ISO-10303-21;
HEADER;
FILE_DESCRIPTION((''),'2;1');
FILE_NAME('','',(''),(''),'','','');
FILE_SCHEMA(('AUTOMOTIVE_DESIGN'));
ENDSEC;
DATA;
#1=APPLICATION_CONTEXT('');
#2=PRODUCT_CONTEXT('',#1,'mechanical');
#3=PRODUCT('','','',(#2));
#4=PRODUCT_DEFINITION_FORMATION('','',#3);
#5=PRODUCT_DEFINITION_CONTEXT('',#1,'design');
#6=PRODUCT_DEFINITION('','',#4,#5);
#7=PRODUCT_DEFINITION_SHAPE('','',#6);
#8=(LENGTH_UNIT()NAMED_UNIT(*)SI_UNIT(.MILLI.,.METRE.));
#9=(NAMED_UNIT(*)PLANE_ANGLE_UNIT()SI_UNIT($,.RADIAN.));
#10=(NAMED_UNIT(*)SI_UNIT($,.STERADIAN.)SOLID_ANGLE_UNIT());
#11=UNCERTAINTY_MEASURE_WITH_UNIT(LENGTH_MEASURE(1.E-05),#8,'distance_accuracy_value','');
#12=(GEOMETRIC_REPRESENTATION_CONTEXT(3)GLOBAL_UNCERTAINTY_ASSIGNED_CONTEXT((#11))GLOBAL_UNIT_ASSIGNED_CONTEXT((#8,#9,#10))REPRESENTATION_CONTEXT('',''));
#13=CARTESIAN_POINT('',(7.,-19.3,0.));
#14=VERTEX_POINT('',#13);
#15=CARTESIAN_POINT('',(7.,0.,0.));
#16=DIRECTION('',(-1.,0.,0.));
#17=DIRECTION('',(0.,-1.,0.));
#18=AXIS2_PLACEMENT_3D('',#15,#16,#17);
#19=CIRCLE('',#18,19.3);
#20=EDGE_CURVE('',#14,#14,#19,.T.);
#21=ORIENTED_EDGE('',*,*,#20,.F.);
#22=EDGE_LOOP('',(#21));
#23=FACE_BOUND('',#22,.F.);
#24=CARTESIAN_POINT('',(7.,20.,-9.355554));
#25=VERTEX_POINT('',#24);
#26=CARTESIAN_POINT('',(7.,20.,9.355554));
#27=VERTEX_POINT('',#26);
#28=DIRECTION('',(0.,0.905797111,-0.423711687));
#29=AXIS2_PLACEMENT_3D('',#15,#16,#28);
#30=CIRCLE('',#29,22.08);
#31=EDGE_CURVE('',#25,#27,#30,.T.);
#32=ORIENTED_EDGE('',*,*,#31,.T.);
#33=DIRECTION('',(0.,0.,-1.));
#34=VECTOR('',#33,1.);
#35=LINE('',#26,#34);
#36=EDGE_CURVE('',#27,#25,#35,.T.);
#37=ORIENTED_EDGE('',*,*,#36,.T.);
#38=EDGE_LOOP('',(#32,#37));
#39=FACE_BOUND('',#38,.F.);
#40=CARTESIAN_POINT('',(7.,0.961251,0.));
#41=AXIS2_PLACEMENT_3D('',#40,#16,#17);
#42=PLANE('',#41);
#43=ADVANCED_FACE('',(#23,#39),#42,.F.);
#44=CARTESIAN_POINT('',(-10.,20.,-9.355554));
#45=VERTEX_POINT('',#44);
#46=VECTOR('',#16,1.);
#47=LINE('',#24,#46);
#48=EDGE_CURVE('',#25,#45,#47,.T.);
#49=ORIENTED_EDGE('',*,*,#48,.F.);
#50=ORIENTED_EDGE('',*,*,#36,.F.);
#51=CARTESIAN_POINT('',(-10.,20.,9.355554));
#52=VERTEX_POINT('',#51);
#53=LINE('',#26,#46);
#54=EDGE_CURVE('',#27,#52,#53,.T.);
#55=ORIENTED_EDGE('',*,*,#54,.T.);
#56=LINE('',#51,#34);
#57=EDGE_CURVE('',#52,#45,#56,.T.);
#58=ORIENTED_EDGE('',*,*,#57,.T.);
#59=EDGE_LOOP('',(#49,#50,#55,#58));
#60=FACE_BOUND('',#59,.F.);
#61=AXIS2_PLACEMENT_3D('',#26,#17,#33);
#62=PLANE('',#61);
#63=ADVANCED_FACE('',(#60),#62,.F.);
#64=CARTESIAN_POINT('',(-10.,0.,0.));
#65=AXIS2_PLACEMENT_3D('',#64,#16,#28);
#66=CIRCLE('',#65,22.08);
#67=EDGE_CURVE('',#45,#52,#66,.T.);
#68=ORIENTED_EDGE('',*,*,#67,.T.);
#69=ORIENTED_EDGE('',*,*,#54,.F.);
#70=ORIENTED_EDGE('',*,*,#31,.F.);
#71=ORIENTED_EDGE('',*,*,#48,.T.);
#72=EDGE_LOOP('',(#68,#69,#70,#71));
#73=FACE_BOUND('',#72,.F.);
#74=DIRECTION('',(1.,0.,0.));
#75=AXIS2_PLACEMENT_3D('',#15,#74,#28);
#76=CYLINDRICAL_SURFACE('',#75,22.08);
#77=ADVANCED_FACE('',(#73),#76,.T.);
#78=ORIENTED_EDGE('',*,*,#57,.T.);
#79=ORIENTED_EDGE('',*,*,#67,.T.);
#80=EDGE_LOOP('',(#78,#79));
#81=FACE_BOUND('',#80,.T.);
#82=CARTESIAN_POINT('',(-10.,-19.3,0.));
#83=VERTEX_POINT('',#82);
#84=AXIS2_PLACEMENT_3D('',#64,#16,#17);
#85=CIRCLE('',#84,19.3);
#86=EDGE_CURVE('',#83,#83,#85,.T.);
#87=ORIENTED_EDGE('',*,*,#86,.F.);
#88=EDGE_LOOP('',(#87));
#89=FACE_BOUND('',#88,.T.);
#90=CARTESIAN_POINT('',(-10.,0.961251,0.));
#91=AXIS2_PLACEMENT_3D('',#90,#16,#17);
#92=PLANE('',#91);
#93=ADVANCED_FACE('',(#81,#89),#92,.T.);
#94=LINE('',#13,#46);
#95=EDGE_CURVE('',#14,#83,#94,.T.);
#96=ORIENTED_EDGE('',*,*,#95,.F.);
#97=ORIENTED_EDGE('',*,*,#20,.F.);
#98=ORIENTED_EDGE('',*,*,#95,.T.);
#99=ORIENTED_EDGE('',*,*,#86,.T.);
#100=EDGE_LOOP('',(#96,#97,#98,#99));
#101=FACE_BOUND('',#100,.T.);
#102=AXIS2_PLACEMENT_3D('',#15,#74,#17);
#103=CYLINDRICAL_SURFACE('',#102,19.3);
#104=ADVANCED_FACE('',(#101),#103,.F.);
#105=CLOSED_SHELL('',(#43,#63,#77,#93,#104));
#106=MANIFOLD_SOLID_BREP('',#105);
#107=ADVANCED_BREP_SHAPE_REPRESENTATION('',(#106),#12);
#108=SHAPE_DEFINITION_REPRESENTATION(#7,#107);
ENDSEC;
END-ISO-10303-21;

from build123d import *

# Parameters (mm, degrees)
SKETCH006_R  = 19.3
PAD006_DEPTH = 17


with BuildPart() as part:
    # Sketch006 → Pad006 (new body)
    with BuildSketch(Plane(origin=(7, 0, 0), x_dir=(0, -1, 0), z_dir=(-1, 0, 0))):
        with BuildLine():
            ThreePointArc((-20, -9.355554), (22.08, 0), (-20, 9.355554))
            Line((-20, 9.355554), (-20, -9.355554))
        make_face()
        Circle(SKETCH006_R, mode=Mode.SUBTRACT)
    extrude(amount=PAD006_DEPTH)


solid = part.part
